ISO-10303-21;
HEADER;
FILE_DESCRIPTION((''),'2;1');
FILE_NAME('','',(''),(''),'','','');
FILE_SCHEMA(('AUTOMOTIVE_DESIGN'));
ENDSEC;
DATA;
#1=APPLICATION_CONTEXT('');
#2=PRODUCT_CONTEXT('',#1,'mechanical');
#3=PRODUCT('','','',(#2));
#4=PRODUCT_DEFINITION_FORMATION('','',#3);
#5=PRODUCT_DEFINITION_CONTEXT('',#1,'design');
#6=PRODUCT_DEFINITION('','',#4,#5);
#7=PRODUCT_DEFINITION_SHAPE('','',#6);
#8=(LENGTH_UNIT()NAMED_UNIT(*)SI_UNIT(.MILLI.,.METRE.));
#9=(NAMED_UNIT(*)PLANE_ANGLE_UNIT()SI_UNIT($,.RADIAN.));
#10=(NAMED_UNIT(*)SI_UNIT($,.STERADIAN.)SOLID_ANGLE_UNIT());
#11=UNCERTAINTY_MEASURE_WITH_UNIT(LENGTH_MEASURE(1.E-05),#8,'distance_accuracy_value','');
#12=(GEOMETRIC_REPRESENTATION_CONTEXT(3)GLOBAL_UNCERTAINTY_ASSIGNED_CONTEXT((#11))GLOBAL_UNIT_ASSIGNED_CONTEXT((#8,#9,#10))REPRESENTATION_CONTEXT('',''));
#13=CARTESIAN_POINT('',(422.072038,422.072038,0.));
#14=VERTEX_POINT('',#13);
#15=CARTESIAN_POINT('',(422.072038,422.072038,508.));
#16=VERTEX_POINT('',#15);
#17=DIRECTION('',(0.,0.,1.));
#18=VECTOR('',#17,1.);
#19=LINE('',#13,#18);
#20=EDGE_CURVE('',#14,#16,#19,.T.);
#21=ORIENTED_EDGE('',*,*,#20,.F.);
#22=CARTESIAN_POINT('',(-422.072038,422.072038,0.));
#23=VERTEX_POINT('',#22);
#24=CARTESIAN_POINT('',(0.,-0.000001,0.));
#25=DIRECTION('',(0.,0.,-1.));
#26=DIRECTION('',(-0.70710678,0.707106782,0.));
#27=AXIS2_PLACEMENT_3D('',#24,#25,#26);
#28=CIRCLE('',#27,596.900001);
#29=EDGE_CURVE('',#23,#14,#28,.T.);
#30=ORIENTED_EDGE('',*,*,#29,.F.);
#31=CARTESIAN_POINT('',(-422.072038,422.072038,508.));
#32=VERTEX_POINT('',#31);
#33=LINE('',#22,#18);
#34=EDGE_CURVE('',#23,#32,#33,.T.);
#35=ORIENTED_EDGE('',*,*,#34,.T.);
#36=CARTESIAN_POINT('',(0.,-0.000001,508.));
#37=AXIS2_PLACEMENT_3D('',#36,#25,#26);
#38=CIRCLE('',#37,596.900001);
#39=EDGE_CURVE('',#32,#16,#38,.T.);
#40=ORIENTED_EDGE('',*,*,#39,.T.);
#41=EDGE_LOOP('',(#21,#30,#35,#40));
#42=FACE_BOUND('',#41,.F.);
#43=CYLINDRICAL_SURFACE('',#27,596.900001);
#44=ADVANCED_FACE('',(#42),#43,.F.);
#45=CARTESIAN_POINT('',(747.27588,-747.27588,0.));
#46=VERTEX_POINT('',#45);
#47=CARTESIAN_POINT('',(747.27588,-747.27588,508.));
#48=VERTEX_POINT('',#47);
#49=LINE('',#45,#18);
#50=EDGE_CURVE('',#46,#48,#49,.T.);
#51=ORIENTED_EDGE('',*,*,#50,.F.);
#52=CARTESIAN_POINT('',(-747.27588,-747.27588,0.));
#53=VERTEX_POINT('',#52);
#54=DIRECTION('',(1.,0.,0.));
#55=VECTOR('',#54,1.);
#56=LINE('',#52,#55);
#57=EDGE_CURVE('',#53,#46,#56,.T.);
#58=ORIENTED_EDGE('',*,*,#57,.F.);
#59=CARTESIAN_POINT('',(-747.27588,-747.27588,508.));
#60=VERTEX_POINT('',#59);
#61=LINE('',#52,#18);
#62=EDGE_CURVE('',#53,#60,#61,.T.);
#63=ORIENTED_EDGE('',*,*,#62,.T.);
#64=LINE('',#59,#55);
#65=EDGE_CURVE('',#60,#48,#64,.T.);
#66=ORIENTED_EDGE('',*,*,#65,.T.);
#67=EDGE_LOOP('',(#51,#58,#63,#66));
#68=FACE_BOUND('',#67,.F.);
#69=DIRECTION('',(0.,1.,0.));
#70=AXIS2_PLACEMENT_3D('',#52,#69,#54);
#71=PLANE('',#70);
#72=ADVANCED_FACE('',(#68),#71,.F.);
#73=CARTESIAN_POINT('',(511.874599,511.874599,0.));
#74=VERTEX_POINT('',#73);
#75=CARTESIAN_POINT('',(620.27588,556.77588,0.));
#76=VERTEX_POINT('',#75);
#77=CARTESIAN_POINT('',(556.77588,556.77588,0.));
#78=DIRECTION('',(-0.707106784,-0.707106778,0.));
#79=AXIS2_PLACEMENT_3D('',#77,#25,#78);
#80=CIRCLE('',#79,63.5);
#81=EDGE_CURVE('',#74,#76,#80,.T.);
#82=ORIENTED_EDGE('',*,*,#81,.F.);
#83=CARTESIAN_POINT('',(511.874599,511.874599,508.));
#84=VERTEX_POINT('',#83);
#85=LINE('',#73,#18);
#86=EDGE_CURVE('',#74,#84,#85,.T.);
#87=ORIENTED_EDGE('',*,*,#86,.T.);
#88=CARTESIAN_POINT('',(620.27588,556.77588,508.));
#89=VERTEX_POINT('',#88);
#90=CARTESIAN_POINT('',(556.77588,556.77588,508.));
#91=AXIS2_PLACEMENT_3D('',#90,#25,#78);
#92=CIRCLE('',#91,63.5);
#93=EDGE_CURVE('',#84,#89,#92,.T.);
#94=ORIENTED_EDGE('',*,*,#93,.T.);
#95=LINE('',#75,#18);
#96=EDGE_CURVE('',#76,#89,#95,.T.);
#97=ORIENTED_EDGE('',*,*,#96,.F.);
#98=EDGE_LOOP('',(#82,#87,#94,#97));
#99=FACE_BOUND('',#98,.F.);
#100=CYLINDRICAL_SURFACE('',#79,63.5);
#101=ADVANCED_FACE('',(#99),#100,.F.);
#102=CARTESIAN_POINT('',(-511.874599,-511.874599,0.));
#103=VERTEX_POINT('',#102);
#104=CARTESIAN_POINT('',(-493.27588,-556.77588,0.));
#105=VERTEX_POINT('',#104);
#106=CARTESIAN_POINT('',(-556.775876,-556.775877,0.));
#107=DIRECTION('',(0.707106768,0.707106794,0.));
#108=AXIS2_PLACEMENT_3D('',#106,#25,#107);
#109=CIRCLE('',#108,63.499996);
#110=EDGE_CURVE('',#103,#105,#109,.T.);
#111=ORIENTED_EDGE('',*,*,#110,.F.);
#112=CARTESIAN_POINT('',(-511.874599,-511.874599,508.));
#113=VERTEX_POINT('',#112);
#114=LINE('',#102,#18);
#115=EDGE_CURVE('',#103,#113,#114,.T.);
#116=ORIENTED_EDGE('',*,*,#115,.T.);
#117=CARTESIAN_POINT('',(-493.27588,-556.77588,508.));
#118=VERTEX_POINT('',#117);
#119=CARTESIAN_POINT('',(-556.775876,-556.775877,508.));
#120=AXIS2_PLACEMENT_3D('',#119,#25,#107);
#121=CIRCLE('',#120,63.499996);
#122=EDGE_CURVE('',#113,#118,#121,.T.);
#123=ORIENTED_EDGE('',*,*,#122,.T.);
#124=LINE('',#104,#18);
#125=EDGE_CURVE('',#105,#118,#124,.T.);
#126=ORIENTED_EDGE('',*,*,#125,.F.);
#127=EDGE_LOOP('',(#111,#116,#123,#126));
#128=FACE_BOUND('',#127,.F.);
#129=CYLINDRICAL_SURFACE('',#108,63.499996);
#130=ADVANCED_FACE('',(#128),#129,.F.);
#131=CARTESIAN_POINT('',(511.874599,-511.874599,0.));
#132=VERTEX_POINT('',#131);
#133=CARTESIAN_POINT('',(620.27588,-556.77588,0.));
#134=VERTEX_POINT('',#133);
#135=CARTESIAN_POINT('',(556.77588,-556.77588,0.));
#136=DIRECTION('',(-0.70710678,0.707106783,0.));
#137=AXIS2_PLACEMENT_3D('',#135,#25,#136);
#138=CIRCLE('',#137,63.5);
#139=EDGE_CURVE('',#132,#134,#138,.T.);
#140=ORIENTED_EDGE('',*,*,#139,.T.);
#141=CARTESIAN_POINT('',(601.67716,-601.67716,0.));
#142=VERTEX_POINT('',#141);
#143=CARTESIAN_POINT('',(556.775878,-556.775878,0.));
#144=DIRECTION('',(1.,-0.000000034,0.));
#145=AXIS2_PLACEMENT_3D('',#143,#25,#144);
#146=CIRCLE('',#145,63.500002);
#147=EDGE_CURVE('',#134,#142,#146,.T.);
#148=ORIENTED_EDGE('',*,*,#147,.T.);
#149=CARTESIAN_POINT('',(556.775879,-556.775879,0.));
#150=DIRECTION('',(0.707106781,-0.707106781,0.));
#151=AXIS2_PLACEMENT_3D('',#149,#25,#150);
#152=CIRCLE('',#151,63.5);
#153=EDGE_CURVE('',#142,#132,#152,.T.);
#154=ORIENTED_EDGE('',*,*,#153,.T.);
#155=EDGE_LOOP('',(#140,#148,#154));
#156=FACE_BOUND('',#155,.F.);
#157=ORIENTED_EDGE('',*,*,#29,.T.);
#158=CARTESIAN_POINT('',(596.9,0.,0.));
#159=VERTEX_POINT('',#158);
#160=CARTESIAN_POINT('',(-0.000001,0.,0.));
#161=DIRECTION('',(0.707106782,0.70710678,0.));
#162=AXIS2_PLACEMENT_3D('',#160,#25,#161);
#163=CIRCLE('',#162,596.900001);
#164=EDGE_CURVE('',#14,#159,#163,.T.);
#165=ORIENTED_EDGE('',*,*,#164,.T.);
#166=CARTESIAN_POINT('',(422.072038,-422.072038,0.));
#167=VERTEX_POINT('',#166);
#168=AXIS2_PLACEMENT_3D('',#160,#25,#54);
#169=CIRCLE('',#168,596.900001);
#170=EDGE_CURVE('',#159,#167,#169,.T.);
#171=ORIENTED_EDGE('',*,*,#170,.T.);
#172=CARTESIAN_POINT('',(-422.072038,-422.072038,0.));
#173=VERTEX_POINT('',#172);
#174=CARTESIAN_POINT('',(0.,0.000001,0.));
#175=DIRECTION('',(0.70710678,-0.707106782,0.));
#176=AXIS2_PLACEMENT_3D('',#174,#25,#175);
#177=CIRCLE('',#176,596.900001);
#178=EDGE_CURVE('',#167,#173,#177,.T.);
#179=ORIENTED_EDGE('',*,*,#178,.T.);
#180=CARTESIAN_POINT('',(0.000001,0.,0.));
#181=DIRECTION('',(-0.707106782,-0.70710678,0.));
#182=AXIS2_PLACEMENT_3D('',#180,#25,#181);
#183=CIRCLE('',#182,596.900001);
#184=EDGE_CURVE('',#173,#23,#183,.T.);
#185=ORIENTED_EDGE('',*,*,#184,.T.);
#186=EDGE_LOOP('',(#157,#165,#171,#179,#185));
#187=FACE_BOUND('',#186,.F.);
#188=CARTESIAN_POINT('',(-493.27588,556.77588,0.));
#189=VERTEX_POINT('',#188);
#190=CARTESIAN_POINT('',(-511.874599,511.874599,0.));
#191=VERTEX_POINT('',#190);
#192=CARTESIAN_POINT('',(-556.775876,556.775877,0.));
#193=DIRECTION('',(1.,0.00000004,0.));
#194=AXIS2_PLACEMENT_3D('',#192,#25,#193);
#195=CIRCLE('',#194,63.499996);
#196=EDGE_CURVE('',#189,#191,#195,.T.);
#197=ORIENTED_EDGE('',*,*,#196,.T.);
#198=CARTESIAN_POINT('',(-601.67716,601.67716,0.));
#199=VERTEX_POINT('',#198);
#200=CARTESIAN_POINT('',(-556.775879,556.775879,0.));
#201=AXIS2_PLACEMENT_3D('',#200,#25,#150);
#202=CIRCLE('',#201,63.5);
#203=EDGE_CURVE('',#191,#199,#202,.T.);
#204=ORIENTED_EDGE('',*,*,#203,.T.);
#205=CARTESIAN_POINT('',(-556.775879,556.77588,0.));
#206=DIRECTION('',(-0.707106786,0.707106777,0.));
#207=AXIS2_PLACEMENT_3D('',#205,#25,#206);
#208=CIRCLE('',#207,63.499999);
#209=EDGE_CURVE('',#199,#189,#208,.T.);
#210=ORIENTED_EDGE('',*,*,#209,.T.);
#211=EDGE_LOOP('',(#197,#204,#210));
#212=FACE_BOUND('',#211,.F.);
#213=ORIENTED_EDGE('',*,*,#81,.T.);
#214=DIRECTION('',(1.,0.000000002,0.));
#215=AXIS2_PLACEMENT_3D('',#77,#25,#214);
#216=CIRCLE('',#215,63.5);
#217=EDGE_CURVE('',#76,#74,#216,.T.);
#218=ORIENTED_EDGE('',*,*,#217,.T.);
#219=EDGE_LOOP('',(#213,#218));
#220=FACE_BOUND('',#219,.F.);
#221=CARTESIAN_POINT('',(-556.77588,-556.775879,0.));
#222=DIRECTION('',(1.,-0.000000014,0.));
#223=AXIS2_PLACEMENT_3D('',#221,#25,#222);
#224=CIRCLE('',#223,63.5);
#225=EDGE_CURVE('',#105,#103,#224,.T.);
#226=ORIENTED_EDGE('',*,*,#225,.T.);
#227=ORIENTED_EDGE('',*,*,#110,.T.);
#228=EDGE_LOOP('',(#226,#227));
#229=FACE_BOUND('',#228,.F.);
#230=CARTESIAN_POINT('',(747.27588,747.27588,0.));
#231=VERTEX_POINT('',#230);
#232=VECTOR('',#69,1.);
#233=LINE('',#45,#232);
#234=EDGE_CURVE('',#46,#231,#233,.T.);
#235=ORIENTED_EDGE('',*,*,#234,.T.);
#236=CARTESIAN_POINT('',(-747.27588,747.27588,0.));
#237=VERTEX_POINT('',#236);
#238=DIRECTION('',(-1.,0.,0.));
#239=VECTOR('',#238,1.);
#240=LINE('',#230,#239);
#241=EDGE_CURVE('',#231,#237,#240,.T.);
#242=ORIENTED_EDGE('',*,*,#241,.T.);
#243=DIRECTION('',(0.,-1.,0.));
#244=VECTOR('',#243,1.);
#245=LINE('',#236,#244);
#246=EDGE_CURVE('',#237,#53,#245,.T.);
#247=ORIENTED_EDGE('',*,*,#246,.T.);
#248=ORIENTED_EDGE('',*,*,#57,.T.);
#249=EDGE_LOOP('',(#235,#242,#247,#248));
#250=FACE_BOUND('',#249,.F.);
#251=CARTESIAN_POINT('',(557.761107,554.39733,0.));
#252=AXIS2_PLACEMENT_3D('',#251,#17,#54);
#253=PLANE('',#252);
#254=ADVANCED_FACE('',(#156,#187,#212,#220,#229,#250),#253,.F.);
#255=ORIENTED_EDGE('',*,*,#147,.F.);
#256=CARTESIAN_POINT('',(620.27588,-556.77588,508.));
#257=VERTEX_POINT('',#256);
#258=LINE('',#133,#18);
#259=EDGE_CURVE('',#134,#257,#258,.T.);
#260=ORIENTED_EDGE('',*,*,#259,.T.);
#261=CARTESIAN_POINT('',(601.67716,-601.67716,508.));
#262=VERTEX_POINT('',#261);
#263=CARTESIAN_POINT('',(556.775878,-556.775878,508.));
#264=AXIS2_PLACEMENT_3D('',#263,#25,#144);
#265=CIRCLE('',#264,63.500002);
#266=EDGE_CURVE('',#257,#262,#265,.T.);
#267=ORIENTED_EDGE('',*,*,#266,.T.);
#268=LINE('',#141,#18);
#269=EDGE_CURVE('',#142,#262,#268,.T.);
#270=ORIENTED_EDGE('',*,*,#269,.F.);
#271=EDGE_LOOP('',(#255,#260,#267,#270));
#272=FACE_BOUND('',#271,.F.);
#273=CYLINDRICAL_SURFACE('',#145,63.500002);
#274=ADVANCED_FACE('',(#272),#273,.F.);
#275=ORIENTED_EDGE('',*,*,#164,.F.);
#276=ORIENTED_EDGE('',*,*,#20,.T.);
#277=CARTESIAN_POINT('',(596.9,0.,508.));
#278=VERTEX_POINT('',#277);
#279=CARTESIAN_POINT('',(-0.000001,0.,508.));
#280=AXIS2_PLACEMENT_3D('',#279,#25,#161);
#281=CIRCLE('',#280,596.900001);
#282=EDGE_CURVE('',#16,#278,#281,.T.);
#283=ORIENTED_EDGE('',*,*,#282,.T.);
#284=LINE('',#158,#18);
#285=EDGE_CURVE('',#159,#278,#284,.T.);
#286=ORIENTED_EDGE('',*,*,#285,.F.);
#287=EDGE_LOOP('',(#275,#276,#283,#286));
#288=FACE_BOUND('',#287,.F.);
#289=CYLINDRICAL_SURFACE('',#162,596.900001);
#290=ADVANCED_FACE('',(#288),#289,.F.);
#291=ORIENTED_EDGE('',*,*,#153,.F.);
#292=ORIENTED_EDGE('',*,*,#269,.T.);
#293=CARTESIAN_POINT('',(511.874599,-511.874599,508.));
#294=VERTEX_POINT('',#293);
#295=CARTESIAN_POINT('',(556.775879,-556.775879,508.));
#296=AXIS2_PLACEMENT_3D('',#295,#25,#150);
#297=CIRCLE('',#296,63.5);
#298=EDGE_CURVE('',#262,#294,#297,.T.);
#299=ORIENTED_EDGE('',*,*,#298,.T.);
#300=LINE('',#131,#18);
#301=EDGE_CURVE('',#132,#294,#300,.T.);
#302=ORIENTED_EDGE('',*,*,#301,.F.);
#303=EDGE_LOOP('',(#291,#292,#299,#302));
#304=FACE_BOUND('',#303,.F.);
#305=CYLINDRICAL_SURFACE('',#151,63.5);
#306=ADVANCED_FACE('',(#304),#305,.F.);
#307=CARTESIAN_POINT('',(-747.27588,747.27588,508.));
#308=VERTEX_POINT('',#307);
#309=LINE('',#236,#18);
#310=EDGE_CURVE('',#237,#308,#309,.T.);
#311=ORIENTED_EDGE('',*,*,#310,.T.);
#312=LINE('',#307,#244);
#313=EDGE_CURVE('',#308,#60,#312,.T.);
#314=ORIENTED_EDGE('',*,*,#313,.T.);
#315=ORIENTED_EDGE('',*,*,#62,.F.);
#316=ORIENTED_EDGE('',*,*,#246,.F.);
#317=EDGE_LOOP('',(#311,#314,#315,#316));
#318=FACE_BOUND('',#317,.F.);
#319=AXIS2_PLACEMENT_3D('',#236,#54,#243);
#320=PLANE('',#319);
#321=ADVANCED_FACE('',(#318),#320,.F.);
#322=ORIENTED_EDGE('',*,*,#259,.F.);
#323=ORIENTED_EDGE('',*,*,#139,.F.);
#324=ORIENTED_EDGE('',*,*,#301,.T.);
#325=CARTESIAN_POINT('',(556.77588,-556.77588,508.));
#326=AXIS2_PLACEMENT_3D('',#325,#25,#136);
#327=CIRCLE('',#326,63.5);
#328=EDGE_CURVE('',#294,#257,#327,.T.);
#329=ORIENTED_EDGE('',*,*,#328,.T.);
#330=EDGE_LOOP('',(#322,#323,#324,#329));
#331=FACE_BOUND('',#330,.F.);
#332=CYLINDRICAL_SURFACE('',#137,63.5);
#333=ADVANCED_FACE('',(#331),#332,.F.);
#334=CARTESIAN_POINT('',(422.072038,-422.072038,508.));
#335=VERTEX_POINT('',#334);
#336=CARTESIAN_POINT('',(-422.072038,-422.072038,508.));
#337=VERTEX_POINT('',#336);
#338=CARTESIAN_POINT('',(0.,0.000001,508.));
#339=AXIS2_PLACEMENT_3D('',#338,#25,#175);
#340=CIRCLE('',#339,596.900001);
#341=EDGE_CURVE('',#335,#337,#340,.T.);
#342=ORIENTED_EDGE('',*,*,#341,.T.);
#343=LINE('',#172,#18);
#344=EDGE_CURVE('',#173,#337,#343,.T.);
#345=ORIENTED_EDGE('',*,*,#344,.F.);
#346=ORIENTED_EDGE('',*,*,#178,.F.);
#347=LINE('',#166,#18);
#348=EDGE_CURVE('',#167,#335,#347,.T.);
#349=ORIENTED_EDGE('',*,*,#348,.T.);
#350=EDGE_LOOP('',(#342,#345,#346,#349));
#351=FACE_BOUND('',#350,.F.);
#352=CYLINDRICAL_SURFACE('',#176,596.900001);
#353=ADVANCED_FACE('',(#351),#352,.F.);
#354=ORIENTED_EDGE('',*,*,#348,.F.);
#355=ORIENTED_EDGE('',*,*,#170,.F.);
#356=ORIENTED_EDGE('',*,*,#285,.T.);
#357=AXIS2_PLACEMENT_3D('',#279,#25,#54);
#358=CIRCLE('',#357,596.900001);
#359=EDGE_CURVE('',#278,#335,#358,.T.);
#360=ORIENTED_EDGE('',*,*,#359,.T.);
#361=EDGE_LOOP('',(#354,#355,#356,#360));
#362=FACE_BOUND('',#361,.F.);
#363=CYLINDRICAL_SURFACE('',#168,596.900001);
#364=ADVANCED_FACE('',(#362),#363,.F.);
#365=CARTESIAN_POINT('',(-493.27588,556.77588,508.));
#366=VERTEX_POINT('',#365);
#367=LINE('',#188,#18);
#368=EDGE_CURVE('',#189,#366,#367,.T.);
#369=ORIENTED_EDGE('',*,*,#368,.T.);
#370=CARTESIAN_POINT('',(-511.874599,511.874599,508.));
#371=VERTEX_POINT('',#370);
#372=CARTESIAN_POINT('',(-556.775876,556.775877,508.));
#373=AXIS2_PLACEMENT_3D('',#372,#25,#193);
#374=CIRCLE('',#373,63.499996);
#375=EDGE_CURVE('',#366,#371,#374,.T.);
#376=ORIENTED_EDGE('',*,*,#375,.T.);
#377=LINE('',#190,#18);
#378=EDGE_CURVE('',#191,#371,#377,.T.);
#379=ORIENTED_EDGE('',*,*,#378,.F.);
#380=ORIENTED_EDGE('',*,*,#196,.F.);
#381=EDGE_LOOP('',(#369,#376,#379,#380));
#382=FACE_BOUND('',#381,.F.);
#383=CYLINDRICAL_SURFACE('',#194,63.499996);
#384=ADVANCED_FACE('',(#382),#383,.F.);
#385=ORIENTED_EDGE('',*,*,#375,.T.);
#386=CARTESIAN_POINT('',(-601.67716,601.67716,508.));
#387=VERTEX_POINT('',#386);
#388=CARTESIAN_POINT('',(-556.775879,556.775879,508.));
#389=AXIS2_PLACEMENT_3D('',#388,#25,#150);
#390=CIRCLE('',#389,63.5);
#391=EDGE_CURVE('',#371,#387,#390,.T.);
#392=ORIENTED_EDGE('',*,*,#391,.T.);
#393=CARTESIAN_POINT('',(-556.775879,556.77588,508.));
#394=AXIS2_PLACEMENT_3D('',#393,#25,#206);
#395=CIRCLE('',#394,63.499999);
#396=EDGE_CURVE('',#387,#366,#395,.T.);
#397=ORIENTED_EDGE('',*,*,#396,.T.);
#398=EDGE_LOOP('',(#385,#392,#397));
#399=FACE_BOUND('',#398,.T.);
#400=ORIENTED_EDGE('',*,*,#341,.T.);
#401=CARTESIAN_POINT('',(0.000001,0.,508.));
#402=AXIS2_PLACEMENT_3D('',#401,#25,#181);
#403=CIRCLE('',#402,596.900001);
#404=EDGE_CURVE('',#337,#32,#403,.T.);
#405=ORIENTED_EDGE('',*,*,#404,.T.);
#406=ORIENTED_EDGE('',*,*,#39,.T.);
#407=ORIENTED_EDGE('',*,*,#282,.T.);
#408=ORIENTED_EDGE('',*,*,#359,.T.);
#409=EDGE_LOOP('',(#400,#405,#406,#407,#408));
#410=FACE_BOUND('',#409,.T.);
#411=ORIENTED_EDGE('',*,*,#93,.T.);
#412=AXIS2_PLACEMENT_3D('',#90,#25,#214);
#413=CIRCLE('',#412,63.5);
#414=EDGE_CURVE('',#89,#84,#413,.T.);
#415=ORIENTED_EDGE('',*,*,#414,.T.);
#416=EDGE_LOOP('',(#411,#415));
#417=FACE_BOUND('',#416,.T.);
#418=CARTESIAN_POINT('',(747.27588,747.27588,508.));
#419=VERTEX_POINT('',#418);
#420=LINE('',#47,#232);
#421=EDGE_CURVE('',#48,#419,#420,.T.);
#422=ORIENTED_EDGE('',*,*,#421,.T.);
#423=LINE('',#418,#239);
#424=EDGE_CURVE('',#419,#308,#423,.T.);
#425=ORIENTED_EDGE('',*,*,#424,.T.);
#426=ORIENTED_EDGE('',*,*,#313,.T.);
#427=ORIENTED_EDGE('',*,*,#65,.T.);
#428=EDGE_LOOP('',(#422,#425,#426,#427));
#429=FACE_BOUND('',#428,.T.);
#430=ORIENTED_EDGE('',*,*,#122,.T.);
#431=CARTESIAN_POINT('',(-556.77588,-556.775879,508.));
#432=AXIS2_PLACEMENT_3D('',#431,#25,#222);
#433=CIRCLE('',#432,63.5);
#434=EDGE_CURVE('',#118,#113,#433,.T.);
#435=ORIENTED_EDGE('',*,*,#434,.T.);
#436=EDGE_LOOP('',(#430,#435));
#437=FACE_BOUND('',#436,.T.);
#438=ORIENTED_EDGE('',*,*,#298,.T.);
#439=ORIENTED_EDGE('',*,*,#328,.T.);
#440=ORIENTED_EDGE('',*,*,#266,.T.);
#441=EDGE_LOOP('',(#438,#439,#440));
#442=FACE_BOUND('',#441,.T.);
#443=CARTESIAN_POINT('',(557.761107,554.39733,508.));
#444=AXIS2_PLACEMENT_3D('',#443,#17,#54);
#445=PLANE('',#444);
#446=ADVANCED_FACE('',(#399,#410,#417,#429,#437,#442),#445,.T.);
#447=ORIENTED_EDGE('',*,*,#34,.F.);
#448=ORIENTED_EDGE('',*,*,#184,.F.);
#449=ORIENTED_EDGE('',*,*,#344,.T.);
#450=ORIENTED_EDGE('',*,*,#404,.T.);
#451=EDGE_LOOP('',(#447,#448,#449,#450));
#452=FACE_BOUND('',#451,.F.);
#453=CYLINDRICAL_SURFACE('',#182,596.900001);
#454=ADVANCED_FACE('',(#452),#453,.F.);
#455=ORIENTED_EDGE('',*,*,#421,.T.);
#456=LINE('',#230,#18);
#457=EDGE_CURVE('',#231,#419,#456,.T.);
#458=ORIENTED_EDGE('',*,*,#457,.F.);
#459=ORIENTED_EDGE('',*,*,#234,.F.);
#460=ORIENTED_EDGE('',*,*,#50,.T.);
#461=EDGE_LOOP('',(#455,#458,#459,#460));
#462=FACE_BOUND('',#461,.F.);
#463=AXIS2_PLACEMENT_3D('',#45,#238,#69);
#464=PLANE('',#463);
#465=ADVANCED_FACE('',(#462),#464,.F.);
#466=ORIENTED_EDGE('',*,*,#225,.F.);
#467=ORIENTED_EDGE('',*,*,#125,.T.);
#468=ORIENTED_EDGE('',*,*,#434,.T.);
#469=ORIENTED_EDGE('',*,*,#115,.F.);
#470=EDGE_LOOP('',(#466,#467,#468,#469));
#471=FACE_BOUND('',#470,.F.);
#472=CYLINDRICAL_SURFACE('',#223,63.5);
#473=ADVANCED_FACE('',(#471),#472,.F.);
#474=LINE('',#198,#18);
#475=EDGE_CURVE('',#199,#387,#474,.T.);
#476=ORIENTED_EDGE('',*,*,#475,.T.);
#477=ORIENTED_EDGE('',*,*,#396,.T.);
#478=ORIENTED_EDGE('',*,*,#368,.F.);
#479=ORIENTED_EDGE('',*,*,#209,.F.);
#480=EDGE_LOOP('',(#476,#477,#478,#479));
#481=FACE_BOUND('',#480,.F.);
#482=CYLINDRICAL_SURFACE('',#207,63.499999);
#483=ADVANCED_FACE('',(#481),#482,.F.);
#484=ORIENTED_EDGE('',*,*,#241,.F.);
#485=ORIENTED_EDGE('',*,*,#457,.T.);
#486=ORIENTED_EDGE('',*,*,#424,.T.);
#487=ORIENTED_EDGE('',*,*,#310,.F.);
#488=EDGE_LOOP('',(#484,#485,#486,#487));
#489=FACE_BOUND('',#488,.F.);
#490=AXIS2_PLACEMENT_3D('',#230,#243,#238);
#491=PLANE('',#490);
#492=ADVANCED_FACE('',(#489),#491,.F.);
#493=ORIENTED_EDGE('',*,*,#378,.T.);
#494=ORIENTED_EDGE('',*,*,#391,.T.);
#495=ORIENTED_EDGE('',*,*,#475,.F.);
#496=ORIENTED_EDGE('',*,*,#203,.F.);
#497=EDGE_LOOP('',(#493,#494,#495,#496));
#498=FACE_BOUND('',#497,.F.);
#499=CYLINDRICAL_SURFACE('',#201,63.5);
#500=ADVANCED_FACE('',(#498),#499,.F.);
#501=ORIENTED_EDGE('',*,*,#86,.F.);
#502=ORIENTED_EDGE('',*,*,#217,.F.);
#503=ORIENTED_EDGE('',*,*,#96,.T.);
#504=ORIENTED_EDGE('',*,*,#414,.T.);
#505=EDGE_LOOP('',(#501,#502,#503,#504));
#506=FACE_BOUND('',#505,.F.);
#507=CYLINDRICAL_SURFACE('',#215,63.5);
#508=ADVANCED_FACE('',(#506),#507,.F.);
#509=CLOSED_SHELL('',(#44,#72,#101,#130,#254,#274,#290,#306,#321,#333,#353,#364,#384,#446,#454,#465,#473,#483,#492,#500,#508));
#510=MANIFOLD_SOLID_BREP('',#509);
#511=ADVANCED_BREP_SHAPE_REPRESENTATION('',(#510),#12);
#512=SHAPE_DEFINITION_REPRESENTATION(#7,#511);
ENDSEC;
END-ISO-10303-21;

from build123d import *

# Parameters (mm, degrees)
F1_DEPTH = 508


with BuildPart() as f1:
    # F0 (on Top) → F1 (new body)
    with BuildSketch(Plane.XY):
        with BuildLine():
            ThreePointArc((620.27588, 556.77588), (532.475482, 615.44223), (511.874599, 511.874599))
            ThreePointArc((511.874599, 511.874599), (581.076277, 498.109529), (620.27588, 556.77588))
        make_face()
        with BuildLine():
            ThreePointArc((422.072038, 422.072038), (551.463693, 228.423741), (596.9, 0))
            ThreePointArc((596.9, 0), (551.463693, -228.423741), (422.072038, -422.072038))
            Line((422.072038, -422.072038), (511.874599, -511.874599))
            ThreePointArc((511.874599, -511.874599), (581.076277, -498.109529), (620.27588, -556.77588))
            ThreePointArc((620.27588, -556.77588), (615.44223, -581.076277), (601.67716, -601.67716))
            Line((601.67716, -601.67716), (747.27588, -747.27588))
            Line((747.27588, -747.27588), (747.27588, 747.27588))
            Line((747.27588, 747.27588), (-747.27588, 747.27588))
            Line((-747.27588, 747.27588), (-601.67716, 601.67716))
            ThreePointArc((-601.67716, 601.67716), (-532.475482, 615.44223), (-493.27588, 556.77588))
            ThreePointArc((-493.27588, 556.77588), (-498.109529, 532.475482), (-511.874599, 511.874599))
            Line((-511.874599, 511.874599), (-422.072038, 422.072038))
            ThreePointArc((-422.072038, 422.072038), (0, 596.9), (422.072038, 422.072038))
        make_face()
        with BuildLine():
            ThreePointArc((620.27588, 556.77588), (581.076277, 498.109529), (511.874599, 511.874599))
            ThreePointArc((511.874599, 511.874599), (532.475482, 615.44223), (620.27588, 556.77588))
        make_face(mode=Mode.SUBTRACT)
        with BuildLine():
            ThreePointArc((-493.27588, -556.77588), (-498.109529, -532.475482), (-511.874599, -511.874599))
            ThreePointArc((-511.874599, -511.874599), (-615.44223, -581.076277), (-493.27588, -556.77588))
        make_face()
        with BuildLine():
            Line((511.874599, -511.874599), (422.072038, -422.072038))
            ThreePointArc((422.072038, -422.072038), (0, -596.9), (-422.072038, -422.072038))
            ThreePointArc((-422.072038, -422.072038), (-596.9, 0), (-422.072038, 422.072038))
            Line((-422.072038, 422.072038), (-511.874599, 511.874599))
            ThreePointArc((-511.874599, 511.874599), (-601.67716, 511.874599), (-601.67716, 601.67716))
            Line((-601.67716, 601.67716), (-747.27588, 747.27588))
            Line((-747.27588, 747.27588), (-747.27588, -747.27588))
            Line((-747.27588, -747.27588), (747.27588, -747.27588))
            Line((747.27588, -747.27588), (601.67716, -601.67716))
            ThreePointArc((601.67716, -601.67716), (511.874599, -601.67716), (511.874599, -511.874599))
        make_face()
        with BuildLine():
            ThreePointArc((-493.27588, -556.77588), (-615.44223, -581.076277), (-511.874599, -511.874599))
            ThreePointArc((-511.874599, -511.874599), (-498.109529, -532.475482), (-493.27588, -556.77588))
        make_face(mode=Mode.SUBTRACT)
    extrude(amount=F1_DEPTH)


solid = f1.part
